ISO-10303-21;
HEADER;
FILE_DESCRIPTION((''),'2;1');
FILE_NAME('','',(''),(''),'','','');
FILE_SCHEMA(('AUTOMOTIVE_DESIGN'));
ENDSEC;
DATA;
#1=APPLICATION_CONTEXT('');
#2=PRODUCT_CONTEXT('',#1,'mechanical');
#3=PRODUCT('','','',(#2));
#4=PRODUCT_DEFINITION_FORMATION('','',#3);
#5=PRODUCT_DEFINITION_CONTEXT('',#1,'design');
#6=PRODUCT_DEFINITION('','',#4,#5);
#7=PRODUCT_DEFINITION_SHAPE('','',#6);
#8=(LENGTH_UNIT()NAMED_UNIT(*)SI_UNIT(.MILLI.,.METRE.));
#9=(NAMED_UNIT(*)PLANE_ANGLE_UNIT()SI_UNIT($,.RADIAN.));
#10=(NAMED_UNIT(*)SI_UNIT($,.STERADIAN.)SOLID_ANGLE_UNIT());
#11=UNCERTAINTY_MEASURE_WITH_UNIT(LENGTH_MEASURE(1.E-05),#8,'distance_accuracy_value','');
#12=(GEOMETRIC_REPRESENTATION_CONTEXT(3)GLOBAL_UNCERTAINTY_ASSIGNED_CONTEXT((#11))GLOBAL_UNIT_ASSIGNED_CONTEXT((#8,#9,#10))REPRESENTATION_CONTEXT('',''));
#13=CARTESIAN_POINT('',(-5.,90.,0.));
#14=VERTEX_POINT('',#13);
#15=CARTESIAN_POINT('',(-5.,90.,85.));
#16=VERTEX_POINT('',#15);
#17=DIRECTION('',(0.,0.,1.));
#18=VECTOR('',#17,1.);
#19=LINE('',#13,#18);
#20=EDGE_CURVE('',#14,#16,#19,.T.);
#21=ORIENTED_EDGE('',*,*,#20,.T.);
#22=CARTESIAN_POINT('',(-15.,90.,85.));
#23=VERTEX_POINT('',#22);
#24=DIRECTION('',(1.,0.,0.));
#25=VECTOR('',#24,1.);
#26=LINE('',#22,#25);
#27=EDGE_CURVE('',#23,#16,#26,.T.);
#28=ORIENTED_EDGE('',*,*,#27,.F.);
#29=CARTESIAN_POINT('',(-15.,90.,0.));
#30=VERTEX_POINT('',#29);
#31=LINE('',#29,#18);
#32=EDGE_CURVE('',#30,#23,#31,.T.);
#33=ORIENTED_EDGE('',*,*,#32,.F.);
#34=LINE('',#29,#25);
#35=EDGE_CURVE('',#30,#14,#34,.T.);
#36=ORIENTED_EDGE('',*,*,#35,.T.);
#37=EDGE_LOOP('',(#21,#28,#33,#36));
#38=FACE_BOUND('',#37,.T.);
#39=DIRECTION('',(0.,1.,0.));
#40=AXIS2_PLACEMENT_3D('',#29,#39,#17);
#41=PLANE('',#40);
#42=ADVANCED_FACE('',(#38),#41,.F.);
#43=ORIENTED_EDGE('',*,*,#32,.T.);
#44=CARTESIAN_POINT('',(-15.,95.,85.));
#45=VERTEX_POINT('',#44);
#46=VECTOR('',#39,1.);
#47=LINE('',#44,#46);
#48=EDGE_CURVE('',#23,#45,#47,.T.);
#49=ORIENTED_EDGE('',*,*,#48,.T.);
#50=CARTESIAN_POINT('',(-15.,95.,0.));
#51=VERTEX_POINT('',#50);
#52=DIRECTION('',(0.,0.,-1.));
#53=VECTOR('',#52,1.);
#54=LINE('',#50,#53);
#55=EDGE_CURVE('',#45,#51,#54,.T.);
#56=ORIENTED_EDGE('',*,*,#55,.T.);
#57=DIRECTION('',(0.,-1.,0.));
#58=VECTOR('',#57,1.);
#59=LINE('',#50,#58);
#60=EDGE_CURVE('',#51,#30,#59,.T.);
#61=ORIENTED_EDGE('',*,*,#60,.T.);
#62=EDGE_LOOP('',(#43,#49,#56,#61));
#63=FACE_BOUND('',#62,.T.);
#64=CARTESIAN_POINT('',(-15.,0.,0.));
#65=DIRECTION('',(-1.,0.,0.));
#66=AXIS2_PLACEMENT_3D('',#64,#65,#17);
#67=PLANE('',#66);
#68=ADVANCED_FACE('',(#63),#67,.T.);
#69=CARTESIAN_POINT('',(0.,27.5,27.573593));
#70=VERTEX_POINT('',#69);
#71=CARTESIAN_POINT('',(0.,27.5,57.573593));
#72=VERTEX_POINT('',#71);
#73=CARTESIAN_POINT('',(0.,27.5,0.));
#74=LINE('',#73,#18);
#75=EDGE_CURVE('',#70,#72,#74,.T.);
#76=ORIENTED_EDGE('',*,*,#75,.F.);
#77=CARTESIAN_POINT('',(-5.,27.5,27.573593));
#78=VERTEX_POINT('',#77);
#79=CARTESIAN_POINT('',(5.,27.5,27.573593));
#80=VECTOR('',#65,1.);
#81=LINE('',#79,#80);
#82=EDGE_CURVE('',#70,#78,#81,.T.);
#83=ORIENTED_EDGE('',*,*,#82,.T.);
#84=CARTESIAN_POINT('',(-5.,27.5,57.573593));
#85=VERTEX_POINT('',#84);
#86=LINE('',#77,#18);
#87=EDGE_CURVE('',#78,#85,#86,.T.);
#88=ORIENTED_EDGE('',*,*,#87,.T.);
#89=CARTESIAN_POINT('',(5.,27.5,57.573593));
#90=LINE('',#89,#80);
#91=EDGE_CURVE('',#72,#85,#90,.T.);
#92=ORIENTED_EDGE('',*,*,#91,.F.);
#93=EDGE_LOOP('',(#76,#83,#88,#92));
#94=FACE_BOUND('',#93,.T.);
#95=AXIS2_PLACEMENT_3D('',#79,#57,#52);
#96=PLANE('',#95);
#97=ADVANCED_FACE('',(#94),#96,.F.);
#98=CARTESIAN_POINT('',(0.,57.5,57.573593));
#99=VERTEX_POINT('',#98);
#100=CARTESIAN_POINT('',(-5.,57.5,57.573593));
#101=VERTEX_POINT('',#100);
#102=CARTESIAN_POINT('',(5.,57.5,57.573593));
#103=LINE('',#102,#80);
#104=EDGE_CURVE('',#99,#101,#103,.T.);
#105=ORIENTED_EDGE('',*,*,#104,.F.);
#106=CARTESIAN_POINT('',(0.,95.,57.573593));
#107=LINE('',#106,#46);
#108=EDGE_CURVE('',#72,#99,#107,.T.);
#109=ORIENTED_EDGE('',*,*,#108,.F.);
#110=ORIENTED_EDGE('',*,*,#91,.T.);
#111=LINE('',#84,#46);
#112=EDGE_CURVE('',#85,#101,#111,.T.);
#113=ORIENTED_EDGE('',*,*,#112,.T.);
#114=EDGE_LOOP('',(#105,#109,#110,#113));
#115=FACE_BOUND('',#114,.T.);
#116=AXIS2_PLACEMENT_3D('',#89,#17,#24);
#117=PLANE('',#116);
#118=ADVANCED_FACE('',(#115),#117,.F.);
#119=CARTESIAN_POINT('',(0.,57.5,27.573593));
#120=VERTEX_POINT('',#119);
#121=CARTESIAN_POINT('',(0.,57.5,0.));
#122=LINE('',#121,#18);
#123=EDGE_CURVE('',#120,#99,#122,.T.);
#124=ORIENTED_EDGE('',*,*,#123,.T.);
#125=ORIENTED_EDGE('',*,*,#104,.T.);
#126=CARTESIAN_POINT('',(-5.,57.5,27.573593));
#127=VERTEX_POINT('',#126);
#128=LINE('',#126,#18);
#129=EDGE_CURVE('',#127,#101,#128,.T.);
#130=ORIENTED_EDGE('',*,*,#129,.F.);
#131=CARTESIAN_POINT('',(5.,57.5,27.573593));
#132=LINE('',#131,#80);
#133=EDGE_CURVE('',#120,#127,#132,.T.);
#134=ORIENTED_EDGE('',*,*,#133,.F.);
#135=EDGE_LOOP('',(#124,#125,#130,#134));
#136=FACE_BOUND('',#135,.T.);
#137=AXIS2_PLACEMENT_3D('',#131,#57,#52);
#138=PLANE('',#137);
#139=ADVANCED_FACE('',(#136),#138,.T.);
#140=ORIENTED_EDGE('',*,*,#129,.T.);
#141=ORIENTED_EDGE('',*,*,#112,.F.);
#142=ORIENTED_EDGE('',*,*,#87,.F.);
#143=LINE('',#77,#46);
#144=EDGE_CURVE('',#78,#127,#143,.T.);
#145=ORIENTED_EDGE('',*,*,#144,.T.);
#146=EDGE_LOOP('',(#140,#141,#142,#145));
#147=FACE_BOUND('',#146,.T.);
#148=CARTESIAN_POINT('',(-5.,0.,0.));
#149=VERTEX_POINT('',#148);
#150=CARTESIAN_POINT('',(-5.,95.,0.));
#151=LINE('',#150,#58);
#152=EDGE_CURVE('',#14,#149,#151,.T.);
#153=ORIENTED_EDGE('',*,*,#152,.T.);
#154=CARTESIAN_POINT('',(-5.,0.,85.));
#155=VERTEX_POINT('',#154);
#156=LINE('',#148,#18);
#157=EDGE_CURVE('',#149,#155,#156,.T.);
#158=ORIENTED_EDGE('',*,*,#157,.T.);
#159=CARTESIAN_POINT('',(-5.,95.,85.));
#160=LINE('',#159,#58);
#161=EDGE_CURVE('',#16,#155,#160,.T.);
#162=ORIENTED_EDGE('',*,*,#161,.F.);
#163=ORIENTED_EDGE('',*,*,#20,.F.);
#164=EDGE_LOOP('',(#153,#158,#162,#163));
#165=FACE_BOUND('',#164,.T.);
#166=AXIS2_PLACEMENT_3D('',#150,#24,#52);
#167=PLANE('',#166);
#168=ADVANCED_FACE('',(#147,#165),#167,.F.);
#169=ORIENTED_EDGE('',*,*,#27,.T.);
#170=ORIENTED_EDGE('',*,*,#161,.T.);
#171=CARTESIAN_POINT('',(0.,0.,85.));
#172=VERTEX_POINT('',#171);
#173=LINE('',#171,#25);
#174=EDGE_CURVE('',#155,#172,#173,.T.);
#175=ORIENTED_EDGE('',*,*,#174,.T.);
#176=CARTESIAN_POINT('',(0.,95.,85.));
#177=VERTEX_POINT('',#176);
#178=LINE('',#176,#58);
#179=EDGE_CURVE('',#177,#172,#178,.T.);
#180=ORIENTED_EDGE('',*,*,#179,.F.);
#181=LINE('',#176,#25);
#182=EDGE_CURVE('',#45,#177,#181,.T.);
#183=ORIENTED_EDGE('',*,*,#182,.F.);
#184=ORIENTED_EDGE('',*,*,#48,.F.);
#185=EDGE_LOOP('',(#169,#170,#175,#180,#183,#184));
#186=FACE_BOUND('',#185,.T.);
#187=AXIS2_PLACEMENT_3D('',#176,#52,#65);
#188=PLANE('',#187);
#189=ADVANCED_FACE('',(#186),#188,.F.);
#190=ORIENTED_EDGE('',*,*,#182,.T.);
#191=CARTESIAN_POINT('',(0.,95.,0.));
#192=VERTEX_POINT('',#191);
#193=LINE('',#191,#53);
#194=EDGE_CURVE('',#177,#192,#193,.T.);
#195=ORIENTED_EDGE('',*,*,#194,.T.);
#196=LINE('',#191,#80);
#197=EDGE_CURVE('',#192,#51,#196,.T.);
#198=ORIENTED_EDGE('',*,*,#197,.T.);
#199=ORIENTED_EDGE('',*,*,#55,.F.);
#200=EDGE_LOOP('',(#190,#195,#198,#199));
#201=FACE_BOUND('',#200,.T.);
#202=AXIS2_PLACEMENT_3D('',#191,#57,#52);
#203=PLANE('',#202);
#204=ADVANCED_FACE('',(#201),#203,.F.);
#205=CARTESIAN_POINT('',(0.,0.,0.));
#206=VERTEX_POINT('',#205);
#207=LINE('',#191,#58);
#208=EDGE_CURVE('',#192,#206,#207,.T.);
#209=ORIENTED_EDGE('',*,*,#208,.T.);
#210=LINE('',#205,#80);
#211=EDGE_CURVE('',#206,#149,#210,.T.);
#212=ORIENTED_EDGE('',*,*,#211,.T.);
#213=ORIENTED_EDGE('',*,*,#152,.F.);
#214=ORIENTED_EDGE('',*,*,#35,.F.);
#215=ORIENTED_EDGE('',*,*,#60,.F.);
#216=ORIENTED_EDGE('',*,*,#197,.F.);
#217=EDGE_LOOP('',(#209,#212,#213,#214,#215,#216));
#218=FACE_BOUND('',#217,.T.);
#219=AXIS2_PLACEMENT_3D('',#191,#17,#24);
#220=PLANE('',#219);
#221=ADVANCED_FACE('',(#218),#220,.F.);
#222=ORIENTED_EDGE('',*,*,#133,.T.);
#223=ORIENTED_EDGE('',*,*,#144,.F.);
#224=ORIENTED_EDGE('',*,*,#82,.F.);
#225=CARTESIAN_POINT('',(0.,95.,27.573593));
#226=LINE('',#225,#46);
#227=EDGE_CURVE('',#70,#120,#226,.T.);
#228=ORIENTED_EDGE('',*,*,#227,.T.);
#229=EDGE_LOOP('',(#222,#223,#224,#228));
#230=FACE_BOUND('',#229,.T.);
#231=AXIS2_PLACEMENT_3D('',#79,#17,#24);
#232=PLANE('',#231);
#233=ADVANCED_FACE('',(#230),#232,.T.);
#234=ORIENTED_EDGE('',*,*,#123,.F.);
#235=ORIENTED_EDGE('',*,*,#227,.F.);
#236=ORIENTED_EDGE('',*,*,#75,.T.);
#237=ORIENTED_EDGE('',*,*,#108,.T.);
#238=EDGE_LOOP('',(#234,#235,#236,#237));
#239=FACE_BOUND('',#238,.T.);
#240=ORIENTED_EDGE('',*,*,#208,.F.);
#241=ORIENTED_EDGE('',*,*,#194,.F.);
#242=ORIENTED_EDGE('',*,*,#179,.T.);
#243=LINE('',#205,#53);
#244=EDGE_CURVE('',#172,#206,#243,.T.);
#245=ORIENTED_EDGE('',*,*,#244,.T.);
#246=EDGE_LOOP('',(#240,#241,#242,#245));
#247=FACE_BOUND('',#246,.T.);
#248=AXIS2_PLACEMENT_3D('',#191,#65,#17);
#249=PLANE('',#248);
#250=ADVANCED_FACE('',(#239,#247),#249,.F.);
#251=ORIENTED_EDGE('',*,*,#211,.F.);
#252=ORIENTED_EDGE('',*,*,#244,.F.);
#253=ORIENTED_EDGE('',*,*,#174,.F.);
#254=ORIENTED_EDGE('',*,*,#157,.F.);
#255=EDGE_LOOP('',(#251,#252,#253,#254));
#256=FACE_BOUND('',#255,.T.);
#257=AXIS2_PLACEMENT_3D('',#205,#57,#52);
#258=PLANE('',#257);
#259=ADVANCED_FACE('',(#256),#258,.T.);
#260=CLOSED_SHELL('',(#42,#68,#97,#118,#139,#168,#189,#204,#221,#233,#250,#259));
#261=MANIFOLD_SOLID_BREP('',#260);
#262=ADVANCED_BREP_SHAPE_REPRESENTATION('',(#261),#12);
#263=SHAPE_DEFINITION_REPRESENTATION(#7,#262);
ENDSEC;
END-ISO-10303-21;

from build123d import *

# Parameters (mm, degrees)
SKETCH1_W           = 5
SKETCH1_H           = 85
BOSS_EXTRUDE1_DEPTH = 95
SKETCH2_W           = 85
SKETCH2_H           = 5
BOSS_EXTRUDE2_DEPTH = 10
SKETCH3_W           = 30
SKETCH3_H           = 30
CUT_EXTRUDE1_DEPTH  = 10


with BuildPart() as part:
    # Sketch1 → Boss-Extrude1 (new body)
    with BuildSketch(Plane(origin=(0, 0, 0), x_dir=(1, 0, 0), z_dir=(0, 1, 0))):
        with Locations((-2.5, -42.5)):
            Rectangle(SKETCH1_W, SKETCH1_H)
    extrude(amount=BOSS_EXTRUDE1_DEPTH)

    # Sketch2 → Boss-Extrude2 (add)
    with BuildSketch(Plane.ZY.offset(5)):
        with Locations((42.5, 92.5)):
            Rectangle(SKETCH2_W, SKETCH2_H)
    extrude(amount=BOSS_EXTRUDE2_DEPTH)

    # Sketch3 → Cut-Extrude1 (cut)
    with BuildSketch(Plane.ZY.offset(5)):
        with Locations((42.573593129, 42.5)):
            Rectangle(SKETCH3_W, SKETCH3_H)
    extrude(amount=-CUT_EXTRUDE1_DEPTH, mode=Mode.SUBTRACT)


solid = part.part
